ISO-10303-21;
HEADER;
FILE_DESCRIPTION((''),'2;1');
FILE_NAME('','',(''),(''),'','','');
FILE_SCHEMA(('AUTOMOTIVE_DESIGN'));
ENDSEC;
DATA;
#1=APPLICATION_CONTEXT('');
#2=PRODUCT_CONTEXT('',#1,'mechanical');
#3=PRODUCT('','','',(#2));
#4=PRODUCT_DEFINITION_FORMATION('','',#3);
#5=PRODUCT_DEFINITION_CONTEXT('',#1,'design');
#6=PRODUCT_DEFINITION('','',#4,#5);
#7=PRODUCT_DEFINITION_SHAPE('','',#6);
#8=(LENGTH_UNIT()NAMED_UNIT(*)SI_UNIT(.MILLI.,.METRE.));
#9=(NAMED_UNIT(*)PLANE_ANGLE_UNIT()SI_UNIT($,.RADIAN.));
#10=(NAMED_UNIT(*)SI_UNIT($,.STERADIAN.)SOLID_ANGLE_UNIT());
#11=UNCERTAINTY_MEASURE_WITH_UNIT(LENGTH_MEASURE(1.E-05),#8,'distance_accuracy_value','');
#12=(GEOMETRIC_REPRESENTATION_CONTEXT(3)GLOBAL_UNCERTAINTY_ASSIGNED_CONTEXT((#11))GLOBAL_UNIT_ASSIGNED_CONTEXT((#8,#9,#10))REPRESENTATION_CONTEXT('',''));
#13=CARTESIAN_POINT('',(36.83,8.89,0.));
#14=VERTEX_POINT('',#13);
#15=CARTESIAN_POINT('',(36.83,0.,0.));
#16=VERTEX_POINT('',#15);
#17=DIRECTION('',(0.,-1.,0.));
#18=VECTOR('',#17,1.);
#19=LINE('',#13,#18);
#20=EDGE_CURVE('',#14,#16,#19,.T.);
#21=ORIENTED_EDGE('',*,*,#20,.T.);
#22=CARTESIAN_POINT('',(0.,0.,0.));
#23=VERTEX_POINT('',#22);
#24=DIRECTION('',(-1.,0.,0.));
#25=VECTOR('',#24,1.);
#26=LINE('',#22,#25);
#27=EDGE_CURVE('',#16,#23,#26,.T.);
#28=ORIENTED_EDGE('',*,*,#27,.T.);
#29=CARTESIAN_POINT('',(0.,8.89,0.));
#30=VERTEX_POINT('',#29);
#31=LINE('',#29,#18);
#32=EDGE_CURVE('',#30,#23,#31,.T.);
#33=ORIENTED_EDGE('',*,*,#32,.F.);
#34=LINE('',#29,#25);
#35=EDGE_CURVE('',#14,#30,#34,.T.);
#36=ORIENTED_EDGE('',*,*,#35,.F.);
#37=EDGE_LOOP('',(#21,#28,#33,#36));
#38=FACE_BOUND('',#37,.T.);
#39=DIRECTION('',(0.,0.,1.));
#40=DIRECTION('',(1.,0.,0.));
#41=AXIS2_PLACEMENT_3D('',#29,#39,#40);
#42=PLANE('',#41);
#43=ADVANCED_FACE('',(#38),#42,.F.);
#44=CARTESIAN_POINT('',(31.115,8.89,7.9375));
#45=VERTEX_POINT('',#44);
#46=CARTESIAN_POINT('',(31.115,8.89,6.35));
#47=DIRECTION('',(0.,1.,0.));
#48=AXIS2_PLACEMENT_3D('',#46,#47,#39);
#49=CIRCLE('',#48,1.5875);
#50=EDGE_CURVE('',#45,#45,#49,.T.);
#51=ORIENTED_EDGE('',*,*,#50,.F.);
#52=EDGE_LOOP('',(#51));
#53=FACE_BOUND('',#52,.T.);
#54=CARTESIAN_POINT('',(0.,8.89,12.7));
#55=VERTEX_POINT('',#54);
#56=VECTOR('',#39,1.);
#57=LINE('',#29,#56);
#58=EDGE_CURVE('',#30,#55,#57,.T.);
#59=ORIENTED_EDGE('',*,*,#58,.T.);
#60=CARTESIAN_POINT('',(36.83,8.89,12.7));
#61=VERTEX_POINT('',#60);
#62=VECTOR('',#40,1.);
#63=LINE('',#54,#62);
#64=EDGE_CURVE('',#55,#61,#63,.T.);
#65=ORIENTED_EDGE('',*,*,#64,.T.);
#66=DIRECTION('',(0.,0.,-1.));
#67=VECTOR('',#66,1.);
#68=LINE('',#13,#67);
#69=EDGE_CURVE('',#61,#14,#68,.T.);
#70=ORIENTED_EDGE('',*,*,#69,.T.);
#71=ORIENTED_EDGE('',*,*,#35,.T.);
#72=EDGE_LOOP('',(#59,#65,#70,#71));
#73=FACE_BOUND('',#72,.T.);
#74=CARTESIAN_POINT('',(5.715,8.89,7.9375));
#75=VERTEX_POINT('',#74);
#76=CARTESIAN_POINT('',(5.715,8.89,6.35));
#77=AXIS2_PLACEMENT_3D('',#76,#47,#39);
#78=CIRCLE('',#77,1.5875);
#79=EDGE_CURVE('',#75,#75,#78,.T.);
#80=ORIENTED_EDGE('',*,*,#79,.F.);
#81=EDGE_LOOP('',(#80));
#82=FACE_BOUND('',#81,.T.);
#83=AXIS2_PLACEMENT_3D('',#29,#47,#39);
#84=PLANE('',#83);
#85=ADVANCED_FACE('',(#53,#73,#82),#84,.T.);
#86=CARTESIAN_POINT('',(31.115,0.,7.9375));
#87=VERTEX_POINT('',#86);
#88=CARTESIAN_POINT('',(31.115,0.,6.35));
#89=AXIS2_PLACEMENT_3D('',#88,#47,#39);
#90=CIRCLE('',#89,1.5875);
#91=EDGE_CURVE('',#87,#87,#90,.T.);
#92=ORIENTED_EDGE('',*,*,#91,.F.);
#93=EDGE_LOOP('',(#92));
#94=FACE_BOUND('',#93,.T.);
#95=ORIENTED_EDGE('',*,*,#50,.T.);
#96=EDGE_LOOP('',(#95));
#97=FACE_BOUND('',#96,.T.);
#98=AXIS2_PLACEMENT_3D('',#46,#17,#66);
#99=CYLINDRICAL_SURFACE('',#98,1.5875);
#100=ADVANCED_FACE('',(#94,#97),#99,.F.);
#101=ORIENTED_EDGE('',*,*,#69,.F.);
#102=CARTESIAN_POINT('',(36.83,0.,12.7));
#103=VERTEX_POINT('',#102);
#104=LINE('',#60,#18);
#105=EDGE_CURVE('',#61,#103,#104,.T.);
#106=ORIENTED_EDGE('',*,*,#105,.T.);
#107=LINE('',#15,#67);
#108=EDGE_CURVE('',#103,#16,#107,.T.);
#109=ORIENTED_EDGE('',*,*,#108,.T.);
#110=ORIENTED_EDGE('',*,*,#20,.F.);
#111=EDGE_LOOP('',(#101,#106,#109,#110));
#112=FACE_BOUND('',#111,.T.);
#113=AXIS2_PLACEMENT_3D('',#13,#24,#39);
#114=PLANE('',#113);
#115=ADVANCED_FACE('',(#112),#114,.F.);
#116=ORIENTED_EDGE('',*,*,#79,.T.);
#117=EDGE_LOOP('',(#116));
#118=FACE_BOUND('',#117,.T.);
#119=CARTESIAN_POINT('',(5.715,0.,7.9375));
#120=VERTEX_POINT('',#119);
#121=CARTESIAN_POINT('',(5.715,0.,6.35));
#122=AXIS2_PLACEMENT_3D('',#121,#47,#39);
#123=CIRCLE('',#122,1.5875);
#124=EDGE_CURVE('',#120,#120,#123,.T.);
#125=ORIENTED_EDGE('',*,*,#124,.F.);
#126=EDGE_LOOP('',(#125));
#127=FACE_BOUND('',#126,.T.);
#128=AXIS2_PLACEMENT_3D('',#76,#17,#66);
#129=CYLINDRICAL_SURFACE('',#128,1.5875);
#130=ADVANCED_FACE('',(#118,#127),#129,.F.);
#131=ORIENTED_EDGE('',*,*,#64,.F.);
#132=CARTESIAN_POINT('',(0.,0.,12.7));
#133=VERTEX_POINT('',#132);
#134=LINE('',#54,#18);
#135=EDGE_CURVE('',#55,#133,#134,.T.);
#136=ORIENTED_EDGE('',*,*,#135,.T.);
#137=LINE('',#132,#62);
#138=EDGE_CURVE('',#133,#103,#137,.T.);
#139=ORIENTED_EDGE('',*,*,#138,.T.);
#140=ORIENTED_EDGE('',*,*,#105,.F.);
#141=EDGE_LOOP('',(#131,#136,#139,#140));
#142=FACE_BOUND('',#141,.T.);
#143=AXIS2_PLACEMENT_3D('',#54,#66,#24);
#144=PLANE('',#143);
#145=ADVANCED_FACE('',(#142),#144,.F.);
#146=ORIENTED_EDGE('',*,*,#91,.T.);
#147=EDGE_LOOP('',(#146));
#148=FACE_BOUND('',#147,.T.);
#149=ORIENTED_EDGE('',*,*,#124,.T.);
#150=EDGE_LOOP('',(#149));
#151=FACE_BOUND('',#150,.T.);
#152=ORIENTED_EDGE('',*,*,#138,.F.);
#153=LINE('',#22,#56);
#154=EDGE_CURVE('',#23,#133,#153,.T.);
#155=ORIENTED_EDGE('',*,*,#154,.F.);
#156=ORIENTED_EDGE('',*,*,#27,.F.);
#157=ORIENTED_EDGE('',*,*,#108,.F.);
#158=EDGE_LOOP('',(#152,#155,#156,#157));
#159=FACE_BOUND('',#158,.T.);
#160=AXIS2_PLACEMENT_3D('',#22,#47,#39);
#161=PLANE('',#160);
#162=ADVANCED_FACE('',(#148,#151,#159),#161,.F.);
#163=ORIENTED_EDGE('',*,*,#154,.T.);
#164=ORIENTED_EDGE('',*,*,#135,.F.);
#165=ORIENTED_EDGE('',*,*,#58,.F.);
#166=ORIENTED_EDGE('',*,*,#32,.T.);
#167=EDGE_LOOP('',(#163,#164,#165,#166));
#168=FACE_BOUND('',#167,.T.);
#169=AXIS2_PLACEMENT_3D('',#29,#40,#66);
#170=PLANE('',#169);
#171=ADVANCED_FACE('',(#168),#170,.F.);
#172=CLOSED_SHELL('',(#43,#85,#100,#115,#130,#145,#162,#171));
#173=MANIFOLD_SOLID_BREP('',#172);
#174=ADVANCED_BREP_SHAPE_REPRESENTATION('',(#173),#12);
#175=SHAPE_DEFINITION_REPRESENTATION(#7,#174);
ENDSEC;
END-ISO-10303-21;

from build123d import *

# Parameters (mm, degrees)
SKETCH1_W           = 36.83
SKETCH1_H           = 12.7
SKETCH1_R           = 1.5875
BOSS_EXTRUDE1_DEPTH = 8.89


with BuildPart() as part:
    # Sketch1 → Boss-Extrude1 (new body)
    with BuildSketch(Plane(origin=(0, 0, 0), x_dir=(1, 0, 0), z_dir=(0, 1, 0))):
        with Locations((18.415, -6.35)):
            Rectangle(SKETCH1_W, SKETCH1_H)
        with Locations(Location((5.715, -6.35, 0), (0, 0, 270))):
            Circle(SKETCH1_R, mode=Mode.SUBTRACT)
        with Locations(Location((31.115, -6.35, 0), (0, 0, 270))):
            Circle(SKETCH1_R, mode=Mode.SUBTRACT)
    extrude(amount=BOSS_EXTRUDE1_DEPTH)


solid = part.part
